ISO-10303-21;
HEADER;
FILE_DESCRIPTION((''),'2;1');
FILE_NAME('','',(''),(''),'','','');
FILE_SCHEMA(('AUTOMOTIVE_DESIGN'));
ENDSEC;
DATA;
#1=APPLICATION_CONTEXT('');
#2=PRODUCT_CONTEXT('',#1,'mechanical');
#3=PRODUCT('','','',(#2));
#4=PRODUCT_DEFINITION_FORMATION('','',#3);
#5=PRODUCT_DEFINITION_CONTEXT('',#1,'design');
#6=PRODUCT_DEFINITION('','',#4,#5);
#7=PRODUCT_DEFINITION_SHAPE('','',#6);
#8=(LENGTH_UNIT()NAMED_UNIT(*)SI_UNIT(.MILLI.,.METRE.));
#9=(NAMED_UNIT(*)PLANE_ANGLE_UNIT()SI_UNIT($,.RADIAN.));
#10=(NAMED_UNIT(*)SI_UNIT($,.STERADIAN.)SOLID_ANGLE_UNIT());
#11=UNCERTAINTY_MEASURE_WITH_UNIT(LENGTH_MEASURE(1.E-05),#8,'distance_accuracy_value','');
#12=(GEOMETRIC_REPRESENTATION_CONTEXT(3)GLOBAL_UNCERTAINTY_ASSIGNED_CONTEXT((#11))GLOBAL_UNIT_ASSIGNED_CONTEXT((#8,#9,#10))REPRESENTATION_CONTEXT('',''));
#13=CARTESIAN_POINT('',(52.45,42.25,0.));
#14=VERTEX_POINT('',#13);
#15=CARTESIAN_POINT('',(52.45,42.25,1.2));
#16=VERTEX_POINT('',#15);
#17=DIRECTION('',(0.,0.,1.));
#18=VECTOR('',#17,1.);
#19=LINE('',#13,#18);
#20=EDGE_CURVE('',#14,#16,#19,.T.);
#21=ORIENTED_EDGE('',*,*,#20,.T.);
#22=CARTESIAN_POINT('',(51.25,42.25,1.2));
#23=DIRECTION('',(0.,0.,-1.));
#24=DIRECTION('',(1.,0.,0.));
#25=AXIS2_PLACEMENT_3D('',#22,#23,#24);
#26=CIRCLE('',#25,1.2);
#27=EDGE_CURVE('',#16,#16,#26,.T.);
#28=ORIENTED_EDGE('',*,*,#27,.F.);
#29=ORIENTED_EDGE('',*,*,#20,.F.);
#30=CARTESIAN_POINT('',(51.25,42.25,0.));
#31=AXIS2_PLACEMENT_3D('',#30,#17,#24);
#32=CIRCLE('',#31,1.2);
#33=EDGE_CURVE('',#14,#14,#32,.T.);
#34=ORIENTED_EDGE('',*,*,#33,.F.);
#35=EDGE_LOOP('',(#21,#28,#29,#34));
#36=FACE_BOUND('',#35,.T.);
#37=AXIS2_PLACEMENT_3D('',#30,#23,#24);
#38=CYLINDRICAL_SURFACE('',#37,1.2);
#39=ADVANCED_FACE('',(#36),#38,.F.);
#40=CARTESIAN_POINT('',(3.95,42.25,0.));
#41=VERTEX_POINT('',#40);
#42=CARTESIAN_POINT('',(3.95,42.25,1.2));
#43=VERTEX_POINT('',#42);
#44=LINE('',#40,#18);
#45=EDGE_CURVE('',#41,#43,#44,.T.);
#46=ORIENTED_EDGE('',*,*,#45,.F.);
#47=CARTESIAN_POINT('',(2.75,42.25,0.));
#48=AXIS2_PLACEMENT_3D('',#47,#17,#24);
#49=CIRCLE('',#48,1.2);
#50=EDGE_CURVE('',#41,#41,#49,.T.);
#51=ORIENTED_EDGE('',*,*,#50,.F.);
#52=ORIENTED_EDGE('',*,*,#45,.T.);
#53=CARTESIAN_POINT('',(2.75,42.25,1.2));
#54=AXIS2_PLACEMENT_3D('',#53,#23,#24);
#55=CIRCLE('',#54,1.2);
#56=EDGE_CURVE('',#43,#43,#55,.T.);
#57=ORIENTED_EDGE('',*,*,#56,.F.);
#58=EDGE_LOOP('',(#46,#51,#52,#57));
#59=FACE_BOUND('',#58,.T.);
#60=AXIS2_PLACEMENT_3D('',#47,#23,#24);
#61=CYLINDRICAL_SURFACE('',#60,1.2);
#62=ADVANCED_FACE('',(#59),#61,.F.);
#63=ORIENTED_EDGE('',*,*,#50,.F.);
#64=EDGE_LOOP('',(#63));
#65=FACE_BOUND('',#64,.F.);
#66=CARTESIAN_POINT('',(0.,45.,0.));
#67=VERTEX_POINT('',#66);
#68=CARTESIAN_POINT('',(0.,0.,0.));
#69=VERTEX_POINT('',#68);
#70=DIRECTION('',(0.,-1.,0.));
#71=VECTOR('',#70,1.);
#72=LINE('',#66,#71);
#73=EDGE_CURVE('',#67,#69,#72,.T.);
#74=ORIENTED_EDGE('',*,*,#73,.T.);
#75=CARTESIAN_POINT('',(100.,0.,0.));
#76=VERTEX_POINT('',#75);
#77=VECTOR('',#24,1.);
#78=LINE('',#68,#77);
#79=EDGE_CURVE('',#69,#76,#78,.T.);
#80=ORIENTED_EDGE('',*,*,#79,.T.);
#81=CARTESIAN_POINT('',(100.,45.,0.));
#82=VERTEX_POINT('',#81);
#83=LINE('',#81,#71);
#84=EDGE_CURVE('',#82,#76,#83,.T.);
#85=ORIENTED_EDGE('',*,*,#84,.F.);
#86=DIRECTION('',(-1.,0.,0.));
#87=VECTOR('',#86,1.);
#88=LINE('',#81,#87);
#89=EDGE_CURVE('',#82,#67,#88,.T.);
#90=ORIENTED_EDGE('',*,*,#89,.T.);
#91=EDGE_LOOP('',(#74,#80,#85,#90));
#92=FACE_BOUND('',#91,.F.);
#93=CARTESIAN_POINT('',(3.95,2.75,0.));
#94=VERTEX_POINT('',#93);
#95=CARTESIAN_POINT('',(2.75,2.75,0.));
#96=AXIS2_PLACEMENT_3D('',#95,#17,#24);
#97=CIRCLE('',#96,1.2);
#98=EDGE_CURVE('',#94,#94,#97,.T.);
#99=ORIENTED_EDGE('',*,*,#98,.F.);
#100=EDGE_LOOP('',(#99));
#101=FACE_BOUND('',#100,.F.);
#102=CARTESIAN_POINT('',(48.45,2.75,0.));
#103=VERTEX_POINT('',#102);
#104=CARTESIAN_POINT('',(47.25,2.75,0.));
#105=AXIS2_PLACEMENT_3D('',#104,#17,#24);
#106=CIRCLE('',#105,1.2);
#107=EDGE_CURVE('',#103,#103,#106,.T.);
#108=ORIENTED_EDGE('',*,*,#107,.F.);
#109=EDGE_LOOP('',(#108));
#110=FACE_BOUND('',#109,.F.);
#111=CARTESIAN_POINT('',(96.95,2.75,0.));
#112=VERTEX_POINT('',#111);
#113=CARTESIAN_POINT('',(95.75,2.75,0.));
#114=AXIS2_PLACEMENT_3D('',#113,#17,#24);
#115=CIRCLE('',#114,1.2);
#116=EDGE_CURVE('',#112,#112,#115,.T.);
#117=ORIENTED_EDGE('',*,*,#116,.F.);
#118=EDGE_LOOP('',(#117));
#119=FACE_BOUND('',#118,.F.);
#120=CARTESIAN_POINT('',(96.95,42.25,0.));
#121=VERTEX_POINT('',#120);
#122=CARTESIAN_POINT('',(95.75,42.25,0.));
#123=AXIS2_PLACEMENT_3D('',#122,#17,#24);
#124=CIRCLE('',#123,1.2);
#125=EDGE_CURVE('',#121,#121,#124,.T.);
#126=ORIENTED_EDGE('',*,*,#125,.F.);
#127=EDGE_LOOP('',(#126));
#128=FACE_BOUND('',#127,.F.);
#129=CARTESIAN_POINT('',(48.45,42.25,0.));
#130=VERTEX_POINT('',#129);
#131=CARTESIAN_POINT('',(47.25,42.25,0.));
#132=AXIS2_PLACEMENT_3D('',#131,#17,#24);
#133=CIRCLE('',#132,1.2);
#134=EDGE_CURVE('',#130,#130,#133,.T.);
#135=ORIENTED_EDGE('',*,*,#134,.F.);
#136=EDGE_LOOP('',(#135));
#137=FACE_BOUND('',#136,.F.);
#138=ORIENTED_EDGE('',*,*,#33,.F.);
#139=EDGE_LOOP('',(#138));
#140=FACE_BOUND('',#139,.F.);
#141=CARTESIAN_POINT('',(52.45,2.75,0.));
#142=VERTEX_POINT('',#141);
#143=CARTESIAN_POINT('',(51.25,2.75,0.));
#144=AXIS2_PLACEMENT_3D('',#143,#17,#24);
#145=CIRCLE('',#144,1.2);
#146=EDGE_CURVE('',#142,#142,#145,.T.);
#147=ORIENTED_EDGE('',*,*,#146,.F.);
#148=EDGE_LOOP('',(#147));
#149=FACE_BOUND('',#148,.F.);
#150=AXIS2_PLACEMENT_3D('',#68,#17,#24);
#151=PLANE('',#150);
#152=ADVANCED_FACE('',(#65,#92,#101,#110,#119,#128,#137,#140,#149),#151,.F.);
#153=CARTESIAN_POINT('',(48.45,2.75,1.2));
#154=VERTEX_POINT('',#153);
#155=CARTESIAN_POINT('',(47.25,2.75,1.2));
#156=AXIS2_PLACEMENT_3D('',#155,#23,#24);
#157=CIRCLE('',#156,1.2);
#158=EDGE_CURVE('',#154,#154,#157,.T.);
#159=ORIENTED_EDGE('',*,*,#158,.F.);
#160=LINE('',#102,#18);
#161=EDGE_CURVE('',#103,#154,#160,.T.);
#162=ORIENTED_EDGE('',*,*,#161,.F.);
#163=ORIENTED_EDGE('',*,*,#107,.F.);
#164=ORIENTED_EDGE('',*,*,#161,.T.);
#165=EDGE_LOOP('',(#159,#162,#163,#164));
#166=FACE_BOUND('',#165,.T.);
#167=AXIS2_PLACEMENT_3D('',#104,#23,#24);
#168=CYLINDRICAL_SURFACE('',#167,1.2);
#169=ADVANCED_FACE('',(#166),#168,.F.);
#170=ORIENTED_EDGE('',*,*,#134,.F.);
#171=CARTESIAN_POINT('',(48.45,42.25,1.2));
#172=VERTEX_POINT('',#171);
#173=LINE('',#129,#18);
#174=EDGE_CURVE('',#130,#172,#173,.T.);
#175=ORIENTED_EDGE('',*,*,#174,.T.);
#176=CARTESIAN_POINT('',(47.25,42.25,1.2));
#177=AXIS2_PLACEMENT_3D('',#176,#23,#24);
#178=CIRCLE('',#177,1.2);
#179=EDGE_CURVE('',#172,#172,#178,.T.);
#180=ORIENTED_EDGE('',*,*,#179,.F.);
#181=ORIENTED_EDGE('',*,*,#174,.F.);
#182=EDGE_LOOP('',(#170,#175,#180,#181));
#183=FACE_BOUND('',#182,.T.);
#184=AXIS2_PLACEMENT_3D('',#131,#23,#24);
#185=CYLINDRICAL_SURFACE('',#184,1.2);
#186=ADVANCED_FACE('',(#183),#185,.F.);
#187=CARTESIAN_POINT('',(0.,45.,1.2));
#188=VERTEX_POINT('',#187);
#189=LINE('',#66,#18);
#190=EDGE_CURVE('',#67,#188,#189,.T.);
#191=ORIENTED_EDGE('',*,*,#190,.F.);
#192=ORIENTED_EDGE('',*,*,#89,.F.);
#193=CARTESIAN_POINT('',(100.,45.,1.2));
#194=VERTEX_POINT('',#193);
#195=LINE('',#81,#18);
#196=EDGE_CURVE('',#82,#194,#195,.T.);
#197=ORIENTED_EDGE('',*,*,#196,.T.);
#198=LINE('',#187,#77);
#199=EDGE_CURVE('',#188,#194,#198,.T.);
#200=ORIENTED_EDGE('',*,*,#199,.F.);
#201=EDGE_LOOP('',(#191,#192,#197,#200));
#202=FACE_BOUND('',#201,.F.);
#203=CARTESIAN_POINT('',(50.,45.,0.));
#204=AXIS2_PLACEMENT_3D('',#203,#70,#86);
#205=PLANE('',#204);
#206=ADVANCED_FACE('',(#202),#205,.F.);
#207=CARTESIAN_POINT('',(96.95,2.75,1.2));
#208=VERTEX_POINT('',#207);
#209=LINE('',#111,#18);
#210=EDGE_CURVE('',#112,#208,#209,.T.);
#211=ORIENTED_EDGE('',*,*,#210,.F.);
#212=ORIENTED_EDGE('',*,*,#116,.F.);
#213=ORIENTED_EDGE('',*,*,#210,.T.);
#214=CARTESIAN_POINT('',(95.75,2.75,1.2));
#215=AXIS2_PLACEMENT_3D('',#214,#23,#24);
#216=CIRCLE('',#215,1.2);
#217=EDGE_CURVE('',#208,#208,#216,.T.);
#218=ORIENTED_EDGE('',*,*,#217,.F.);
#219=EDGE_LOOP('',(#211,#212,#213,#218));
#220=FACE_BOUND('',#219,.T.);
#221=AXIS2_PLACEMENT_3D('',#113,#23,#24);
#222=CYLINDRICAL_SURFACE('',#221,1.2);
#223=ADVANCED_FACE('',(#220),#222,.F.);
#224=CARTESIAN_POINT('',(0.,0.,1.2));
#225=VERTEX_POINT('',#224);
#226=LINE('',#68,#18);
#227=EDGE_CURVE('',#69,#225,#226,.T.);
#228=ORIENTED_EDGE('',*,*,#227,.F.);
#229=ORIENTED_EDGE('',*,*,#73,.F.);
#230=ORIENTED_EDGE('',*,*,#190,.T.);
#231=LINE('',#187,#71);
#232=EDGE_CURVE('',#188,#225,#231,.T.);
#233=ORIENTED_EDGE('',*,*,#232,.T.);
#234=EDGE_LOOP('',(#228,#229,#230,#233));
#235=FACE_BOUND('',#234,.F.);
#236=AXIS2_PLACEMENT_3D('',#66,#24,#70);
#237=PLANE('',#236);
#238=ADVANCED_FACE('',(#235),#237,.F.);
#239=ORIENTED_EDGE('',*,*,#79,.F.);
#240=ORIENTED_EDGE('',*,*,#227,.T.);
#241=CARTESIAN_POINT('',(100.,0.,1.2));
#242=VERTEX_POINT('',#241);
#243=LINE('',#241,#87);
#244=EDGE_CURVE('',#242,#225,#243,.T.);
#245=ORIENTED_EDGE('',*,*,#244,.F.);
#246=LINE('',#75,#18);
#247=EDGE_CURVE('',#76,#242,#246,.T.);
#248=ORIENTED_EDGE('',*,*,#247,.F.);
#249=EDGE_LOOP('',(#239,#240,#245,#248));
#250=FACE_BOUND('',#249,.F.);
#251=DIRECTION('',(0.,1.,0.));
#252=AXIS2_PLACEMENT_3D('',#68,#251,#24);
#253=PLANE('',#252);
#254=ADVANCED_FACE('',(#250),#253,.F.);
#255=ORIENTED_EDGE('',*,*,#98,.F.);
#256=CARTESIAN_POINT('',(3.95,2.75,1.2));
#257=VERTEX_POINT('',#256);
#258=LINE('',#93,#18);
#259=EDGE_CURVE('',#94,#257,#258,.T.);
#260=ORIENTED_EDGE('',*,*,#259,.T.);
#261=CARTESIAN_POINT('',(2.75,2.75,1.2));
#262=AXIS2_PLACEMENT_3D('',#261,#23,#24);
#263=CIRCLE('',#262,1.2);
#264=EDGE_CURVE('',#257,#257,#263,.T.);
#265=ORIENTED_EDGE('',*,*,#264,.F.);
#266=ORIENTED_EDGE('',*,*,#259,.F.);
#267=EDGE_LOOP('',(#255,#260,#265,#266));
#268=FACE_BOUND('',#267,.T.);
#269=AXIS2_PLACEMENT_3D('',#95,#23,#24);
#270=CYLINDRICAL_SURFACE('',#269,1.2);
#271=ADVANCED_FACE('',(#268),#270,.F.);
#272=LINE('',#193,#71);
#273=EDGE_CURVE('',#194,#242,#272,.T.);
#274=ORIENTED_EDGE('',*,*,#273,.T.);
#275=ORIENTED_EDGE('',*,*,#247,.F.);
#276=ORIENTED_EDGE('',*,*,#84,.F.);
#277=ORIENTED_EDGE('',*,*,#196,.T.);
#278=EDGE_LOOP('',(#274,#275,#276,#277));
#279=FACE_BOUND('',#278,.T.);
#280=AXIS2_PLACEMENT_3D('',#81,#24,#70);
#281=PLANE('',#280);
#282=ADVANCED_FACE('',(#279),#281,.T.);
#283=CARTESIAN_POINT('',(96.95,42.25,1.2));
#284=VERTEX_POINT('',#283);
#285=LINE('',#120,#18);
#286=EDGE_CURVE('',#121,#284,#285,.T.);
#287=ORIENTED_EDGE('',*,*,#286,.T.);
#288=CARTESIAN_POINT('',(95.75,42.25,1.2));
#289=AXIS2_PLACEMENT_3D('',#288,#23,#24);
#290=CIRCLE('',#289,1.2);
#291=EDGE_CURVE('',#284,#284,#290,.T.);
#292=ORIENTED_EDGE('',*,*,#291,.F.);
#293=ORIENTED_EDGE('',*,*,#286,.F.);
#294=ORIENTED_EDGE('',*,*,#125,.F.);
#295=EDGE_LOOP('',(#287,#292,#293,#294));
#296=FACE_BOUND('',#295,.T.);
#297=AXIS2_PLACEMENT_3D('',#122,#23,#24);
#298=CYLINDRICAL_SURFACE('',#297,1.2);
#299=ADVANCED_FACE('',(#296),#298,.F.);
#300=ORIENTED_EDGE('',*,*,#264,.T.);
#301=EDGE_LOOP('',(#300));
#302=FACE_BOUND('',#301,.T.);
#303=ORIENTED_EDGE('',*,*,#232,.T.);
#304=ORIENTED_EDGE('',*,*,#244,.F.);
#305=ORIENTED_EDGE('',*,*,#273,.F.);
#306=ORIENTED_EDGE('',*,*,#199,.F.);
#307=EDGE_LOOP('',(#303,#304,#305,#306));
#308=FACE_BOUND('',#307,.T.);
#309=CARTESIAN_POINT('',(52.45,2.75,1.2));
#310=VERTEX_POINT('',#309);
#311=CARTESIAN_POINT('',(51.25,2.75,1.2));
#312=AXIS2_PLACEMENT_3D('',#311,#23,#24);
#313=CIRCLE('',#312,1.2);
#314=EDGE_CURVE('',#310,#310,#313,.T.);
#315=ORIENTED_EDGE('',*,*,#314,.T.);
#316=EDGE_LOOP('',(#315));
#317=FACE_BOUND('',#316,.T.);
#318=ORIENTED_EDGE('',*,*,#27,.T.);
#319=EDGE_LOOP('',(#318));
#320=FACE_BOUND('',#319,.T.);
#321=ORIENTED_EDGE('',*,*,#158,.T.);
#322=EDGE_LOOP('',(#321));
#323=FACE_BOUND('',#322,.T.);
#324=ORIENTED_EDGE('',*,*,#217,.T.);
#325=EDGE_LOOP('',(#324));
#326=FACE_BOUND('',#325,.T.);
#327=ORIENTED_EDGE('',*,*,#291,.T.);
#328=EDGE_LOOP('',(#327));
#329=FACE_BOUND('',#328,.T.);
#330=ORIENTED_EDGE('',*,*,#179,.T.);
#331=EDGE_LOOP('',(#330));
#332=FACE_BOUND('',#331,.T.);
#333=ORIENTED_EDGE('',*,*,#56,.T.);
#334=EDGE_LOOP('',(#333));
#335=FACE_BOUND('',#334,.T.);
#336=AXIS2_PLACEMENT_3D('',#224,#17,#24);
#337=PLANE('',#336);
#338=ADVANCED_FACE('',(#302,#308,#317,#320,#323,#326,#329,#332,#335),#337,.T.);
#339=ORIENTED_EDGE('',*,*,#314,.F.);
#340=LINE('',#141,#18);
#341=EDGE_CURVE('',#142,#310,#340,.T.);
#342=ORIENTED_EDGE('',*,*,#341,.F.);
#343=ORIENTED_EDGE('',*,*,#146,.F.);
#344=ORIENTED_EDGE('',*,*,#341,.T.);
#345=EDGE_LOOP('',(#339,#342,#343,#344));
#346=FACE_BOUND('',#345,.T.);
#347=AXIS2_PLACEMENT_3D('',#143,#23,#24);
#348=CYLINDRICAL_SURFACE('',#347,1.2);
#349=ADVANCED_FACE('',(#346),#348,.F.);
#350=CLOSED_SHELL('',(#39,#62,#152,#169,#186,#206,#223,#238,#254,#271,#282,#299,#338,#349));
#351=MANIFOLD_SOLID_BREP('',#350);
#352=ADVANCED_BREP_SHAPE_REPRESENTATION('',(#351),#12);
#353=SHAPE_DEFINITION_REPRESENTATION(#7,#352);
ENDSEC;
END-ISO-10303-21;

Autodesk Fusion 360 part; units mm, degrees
sketch "Sketch1" plane through (0, 0, 0) normal (0, 0, 1) x (1, 0, 0)
  line L0 (0, 0) -> (50, 0)
  line L1 (50, 0) -> (50, 45)
  line L2 (50, 45) -> (0, 45)
  line L3 (0, 45) -> (0, 0)
  line L4 (47.25, 42.25) -> (2.75, 42.25)
  line L5 (2.75, 42.25) -> (2.75, 2.75)
  line L6 (2.75, 2.75) -> (47.25, 2.75)
  line L7 (47.25, 2.75) -> (47.25, 42.25)
  line L8 (47.25, 42.25) -> (2.75, 2.75) construction
  line L9 (2.75, 42.25) -> (47.25, 2.75) construction
  line L10 (50, 45) -> (0, 0) construction
  circle A0 centre (2.75, 42.25) radius 1.2
  circle A1 centre (2.75, 2.75) radius 1.2
  circle A2 centre (47.25, 42.25) radius 1.2
  circle A3 centre (47.25, 2.75) radius 1.2
  line L11 (95.75, 2.75) -> (95.75, 42.25)
  line L12 (51.25, 2.75) -> (95.75, 2.75)
  line L13 (98.5, 45) -> (48.5, 0) construction
  line L14 (51.25, 42.25) -> (95.75, 2.75) construction
  line L15 (95.75, 42.25) -> (51.25, 2.75) construction
  circle A4 centre (51.25, 42.25) radius 1.2
  circle A5 centre (51.25, 2.75) radius 1.2
  line L16 (95.75, 42.25) -> (51.25, 42.25)
  circle A6 centre (95.75, 42.25) radius 1.2
  circle A7 centre (95.75, 2.75) radius 1.2
  line L17 (51.25, 42.25) -> (51.25, 2.75)
  line L18 (50, 45) -> (100, 45)
  line L19 (100, 45) -> (100, 0)
  line L20 (100, 0) -> (50, 0)
  line L21 (50, 0) -> (50, 45)
  point P0 (25, 22.5)
  point P1 (73.5, 22.5)
  dimension "d1" = 50
  dimension "d2" = 44.5
  dimension "d3" = 39.5
  dimension "d4" = 2.4
  dimension "d5" = 2.4
  dimension "d6" = 2.4
  dimension "d7" = 2.4
  dimension "d12" = 45
  dimension "d14" = 44.5
  dimension "d15" = 39.5
  dimension "d16" = 2.4
  dimension "d17" = 2.4
  dimension "d18" = 2.4
  dimension "d19" = 2.4
  dimension "d22" = 4
  dimension "d23" = 100
  dimension "d24" = 45
  dimension "d25" = 4.25
extrude "Extrude1" add sketch "Sketch1" along normal blind 1.2 contours L0 L1 L2 L3 L21 | L4 L5 L6 L7 A0 A1 A2 A3
extrude "Extrude3" add sketch "Sketch1" along normal blind 1.2 contours L1 L18 L19 L20 L21 | L11 L12 A4 A5 L16 A6 A7 L17
